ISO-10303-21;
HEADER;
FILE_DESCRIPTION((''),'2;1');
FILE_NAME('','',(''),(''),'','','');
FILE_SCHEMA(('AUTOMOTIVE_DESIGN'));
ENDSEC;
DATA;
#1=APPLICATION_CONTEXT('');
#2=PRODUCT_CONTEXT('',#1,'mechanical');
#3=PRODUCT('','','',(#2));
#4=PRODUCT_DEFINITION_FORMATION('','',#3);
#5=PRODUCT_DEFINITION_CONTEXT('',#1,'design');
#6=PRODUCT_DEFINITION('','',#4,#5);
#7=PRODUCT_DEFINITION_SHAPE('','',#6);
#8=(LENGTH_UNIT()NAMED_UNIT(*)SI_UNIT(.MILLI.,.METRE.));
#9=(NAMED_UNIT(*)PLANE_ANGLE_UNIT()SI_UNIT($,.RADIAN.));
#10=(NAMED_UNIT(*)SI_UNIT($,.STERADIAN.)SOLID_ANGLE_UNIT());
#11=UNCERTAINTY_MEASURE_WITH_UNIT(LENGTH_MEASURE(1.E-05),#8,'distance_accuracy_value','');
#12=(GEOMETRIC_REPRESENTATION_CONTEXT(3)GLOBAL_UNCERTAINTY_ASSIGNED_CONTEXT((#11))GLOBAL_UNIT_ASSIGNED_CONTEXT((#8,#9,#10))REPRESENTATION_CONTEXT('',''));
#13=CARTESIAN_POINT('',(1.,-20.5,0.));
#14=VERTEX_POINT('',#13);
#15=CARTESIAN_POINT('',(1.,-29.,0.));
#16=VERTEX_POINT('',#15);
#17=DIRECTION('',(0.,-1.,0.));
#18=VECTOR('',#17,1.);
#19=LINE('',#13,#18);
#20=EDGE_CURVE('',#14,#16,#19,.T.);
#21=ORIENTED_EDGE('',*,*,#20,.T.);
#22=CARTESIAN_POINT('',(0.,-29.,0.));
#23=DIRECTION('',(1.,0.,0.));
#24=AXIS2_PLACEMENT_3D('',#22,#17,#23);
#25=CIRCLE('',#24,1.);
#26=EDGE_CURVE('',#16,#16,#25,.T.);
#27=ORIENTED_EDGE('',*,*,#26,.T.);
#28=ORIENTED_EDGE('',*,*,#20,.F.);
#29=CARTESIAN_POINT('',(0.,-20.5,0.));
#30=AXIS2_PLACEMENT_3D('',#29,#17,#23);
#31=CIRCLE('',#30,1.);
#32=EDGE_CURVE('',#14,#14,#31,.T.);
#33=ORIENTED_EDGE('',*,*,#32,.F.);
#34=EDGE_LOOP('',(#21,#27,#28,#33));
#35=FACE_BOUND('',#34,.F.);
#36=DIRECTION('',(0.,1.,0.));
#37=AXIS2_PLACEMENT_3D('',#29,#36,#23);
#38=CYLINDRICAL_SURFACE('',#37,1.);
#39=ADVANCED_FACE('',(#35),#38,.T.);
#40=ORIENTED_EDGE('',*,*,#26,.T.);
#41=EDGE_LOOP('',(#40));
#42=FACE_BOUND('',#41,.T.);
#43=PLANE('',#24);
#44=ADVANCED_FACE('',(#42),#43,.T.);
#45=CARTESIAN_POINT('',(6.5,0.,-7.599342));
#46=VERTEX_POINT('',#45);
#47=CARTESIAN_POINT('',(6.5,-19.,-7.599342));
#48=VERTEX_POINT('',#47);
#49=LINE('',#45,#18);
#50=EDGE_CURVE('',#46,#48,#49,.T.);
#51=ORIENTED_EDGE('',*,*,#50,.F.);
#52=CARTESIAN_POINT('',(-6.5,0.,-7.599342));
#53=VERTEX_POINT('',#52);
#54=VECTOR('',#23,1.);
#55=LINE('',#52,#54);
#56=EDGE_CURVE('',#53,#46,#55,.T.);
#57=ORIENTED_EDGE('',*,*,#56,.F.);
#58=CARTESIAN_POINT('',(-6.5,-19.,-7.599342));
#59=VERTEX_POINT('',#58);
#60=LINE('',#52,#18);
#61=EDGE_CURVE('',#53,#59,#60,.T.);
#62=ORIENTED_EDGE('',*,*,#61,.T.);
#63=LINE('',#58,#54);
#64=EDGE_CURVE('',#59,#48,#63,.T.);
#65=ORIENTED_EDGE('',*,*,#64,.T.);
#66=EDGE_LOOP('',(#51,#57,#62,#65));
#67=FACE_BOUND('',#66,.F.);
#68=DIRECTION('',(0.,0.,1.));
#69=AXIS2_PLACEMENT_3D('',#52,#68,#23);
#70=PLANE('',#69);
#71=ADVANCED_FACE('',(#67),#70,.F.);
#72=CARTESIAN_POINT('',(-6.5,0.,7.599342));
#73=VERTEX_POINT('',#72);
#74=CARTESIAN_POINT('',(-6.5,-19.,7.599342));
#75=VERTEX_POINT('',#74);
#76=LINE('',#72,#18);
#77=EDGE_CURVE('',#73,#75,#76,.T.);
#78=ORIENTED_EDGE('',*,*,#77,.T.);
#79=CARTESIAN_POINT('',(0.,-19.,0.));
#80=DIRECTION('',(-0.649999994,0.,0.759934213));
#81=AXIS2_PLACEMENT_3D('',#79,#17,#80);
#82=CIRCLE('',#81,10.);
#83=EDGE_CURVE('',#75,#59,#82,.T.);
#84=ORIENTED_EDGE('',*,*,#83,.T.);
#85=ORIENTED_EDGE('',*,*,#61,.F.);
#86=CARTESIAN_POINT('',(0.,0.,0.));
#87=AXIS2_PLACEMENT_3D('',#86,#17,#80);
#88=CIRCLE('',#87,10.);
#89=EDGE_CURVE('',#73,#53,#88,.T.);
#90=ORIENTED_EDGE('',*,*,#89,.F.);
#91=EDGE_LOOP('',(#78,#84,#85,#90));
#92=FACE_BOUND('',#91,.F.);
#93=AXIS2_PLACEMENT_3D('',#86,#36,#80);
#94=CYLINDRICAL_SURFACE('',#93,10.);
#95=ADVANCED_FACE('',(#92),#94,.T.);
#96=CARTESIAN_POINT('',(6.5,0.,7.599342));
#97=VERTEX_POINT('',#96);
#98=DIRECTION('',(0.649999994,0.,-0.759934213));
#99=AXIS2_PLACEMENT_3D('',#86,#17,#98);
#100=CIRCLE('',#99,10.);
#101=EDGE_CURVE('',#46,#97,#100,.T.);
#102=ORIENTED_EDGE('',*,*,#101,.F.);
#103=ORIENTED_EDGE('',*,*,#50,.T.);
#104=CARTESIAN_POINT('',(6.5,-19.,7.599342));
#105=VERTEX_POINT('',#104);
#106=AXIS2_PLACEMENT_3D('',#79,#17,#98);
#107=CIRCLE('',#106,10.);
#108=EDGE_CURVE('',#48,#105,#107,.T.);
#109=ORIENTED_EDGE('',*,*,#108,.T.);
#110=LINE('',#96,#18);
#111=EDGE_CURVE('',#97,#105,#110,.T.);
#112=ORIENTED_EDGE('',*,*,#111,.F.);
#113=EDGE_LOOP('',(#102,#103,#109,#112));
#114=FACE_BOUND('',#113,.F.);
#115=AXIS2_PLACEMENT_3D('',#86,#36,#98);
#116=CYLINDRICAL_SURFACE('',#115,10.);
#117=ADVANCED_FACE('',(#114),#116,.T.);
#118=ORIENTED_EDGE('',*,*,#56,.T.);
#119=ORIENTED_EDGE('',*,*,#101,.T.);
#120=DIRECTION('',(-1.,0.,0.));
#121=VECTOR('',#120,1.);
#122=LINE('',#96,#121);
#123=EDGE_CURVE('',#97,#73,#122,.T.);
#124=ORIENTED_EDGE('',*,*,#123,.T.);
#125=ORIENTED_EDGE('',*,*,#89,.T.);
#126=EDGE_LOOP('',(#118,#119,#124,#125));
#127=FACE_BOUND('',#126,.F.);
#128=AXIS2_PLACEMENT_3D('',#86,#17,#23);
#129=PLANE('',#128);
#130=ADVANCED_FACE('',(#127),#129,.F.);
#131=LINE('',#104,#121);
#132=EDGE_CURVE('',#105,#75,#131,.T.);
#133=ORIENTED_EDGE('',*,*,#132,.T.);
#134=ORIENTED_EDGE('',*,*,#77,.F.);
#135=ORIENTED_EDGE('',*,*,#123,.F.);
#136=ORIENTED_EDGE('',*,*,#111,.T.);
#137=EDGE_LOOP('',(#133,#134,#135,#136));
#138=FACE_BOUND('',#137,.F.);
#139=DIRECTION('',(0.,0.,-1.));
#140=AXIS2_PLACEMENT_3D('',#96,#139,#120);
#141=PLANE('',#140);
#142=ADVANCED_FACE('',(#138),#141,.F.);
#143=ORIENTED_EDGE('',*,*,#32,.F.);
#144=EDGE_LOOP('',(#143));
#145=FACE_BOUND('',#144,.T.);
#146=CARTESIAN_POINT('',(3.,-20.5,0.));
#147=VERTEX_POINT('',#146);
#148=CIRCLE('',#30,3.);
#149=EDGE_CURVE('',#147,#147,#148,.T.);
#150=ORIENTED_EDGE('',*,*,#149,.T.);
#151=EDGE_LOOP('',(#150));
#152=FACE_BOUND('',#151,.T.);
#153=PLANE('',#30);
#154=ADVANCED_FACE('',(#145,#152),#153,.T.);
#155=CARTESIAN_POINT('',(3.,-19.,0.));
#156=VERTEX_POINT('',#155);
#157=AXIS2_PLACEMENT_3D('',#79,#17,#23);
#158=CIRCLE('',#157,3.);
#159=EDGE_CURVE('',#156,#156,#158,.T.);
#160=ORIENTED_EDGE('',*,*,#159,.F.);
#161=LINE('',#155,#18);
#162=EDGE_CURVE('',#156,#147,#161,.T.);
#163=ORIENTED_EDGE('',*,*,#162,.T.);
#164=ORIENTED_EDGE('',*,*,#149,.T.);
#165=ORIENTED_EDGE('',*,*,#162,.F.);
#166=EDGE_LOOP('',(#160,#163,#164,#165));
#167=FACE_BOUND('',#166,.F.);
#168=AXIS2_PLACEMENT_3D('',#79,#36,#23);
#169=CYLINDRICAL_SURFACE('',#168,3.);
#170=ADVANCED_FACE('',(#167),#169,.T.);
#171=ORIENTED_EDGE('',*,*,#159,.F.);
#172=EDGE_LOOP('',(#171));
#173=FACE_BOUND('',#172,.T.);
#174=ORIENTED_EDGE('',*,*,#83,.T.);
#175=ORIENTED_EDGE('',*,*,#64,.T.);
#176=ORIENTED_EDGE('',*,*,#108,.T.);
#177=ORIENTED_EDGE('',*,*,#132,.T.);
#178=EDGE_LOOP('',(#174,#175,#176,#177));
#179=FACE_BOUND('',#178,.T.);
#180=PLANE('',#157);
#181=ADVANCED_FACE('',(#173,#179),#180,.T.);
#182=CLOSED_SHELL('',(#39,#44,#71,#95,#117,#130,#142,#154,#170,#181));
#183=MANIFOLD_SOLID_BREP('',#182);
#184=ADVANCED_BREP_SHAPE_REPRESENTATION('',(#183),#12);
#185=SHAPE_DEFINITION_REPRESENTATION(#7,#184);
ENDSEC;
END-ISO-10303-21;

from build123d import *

# Parameters (mm, degrees)
F1_DEPTH = 19
F2_R     = 3
F3_DEPTH = 1.5
F4_R     = 1
F5_DEPTH = 8.5


with BuildPart() as f1:
    # F0 (on Front) → F1 (new body)
    with BuildSketch(Plane.XZ):
        with BuildLine():
            Line((6.5, 7.599342), (-6.5, 7.599342))
            ThreePointArc((-6.5, 7.599342), (-10, 0), (-6.5, -7.599342))
            Line((-6.5, -7.599342), (6.5, -7.599342))
            ThreePointArc((6.5, -7.599342), (10, 0), (6.5, 7.599342))
        make_face()
    extrude(amount=F1_DEPTH)

    # F2 (on face) → F3 (join)
    with BuildSketch(Plane.XZ.offset(19)):
        Circle(F2_R)
    extrude(amount=F3_DEPTH)

    # F4 (on face) → F5 (join)
    with BuildSketch(Plane.XZ.offset(20.5)):
        Circle(F4_R)
    extrude(amount=F5_DEPTH)


solid = f1.part
